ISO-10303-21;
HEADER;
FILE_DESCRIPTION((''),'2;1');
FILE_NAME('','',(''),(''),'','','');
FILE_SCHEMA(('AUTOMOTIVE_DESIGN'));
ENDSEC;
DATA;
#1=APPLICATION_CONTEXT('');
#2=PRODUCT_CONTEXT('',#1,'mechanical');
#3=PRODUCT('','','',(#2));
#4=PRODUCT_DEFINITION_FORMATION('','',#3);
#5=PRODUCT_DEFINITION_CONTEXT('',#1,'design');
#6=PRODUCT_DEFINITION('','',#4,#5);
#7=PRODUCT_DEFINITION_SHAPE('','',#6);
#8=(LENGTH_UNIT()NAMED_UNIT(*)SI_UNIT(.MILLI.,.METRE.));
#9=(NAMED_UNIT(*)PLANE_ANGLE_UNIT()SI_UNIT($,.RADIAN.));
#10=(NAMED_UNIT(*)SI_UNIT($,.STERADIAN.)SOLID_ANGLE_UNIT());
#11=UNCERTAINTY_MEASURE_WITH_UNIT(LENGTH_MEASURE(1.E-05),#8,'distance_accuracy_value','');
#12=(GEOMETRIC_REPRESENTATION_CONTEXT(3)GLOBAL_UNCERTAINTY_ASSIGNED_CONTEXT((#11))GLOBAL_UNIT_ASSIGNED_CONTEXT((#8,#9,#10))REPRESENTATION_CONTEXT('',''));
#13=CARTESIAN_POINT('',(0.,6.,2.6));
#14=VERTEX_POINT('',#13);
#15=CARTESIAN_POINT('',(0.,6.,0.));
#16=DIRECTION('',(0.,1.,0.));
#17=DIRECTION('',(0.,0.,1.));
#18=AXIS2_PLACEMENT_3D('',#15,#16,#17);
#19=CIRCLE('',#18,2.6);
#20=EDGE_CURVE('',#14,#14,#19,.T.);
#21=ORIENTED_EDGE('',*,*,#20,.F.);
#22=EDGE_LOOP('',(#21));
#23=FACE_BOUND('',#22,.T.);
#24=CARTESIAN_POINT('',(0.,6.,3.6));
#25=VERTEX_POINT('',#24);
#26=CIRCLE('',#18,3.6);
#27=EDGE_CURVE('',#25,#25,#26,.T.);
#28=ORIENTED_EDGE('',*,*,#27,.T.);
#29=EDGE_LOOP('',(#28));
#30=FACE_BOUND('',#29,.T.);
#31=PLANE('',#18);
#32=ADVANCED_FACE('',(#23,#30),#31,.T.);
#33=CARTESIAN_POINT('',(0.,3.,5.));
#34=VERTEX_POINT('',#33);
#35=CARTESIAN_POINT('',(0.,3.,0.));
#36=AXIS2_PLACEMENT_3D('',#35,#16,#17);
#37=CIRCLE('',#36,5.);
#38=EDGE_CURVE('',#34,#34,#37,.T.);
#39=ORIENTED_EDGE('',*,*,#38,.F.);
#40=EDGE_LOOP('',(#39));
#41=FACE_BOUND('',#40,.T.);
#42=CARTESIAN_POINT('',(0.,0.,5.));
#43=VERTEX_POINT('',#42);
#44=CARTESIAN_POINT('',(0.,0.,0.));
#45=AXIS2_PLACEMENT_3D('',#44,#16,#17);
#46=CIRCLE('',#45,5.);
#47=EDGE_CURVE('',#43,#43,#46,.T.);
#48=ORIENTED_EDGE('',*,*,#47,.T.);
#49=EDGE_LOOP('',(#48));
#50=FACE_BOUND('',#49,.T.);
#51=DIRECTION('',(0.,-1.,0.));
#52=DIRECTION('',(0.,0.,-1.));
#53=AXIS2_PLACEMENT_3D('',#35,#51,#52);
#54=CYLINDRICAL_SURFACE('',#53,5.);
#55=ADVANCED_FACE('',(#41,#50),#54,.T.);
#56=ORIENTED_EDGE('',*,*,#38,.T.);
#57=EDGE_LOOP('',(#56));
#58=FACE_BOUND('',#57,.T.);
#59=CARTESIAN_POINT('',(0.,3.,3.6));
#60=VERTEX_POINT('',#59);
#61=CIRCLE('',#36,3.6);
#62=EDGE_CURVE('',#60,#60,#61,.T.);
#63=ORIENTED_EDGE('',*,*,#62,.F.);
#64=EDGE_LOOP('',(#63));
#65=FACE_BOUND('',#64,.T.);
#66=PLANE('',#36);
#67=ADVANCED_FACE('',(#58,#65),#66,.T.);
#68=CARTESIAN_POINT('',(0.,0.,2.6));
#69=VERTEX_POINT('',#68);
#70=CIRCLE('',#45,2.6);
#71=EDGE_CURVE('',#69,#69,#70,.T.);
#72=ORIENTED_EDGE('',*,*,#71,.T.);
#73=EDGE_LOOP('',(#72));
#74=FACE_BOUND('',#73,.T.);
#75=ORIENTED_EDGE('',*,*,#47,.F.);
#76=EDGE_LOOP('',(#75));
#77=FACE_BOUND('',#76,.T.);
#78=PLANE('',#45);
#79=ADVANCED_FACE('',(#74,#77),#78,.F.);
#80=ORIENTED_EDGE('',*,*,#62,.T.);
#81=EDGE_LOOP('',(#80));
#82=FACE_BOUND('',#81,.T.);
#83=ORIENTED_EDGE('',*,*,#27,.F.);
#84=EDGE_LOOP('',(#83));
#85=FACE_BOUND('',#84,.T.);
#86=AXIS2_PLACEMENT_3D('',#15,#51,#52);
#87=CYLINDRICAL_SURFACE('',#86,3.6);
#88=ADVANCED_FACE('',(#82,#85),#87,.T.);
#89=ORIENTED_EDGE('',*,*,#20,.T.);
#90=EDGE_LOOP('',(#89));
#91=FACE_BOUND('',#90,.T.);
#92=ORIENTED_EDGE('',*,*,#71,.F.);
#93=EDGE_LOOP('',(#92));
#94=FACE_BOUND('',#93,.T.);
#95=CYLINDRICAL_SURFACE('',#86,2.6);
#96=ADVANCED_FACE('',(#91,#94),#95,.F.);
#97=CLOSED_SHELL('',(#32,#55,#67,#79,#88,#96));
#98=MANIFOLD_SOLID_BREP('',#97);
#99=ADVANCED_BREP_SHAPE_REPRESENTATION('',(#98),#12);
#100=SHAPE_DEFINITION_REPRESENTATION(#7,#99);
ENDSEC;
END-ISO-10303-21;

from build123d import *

# Parameters (mm, degrees)
SKETCH1_R           = 5
BOSS_EXTRUDE1_DEPTH = 3
SKETCH2_R           = 3.6
BOSS_EXTRUDE2_DEPTH = 3
SKETCH3_R           = 2.6
CUT_EXTRUDE1_DEPTH  = 7


with BuildPart() as part:
    # Sketch1 → Boss-Extrude1 (new body)
    with BuildSketch(Plane(origin=(0, 0, 0), x_dir=(1, 0, 0), z_dir=(0, 1, 0))):
        Circle(SKETCH1_R)
    extrude(amount=BOSS_EXTRUDE1_DEPTH)

    # Sketch2 → Boss-Extrude2 (add)
    with BuildSketch(Plane(origin=(0, 3, 0), x_dir=(1, 0, 0), z_dir=(0, 1, 0))):
        Circle(SKETCH2_R)
    extrude(amount=BOSS_EXTRUDE2_DEPTH)

    # Sketch3 → Cut-Extrude1 (cut, through all)
    with BuildSketch(Plane(origin=(0, 0, 0), x_dir=(1, 0, 0), z_dir=(0, 1, 0))):
        Circle(SKETCH3_R)
    extrude(amount=CUT_EXTRUDE1_DEPTH, mode=Mode.SUBTRACT)


solid = part.part
